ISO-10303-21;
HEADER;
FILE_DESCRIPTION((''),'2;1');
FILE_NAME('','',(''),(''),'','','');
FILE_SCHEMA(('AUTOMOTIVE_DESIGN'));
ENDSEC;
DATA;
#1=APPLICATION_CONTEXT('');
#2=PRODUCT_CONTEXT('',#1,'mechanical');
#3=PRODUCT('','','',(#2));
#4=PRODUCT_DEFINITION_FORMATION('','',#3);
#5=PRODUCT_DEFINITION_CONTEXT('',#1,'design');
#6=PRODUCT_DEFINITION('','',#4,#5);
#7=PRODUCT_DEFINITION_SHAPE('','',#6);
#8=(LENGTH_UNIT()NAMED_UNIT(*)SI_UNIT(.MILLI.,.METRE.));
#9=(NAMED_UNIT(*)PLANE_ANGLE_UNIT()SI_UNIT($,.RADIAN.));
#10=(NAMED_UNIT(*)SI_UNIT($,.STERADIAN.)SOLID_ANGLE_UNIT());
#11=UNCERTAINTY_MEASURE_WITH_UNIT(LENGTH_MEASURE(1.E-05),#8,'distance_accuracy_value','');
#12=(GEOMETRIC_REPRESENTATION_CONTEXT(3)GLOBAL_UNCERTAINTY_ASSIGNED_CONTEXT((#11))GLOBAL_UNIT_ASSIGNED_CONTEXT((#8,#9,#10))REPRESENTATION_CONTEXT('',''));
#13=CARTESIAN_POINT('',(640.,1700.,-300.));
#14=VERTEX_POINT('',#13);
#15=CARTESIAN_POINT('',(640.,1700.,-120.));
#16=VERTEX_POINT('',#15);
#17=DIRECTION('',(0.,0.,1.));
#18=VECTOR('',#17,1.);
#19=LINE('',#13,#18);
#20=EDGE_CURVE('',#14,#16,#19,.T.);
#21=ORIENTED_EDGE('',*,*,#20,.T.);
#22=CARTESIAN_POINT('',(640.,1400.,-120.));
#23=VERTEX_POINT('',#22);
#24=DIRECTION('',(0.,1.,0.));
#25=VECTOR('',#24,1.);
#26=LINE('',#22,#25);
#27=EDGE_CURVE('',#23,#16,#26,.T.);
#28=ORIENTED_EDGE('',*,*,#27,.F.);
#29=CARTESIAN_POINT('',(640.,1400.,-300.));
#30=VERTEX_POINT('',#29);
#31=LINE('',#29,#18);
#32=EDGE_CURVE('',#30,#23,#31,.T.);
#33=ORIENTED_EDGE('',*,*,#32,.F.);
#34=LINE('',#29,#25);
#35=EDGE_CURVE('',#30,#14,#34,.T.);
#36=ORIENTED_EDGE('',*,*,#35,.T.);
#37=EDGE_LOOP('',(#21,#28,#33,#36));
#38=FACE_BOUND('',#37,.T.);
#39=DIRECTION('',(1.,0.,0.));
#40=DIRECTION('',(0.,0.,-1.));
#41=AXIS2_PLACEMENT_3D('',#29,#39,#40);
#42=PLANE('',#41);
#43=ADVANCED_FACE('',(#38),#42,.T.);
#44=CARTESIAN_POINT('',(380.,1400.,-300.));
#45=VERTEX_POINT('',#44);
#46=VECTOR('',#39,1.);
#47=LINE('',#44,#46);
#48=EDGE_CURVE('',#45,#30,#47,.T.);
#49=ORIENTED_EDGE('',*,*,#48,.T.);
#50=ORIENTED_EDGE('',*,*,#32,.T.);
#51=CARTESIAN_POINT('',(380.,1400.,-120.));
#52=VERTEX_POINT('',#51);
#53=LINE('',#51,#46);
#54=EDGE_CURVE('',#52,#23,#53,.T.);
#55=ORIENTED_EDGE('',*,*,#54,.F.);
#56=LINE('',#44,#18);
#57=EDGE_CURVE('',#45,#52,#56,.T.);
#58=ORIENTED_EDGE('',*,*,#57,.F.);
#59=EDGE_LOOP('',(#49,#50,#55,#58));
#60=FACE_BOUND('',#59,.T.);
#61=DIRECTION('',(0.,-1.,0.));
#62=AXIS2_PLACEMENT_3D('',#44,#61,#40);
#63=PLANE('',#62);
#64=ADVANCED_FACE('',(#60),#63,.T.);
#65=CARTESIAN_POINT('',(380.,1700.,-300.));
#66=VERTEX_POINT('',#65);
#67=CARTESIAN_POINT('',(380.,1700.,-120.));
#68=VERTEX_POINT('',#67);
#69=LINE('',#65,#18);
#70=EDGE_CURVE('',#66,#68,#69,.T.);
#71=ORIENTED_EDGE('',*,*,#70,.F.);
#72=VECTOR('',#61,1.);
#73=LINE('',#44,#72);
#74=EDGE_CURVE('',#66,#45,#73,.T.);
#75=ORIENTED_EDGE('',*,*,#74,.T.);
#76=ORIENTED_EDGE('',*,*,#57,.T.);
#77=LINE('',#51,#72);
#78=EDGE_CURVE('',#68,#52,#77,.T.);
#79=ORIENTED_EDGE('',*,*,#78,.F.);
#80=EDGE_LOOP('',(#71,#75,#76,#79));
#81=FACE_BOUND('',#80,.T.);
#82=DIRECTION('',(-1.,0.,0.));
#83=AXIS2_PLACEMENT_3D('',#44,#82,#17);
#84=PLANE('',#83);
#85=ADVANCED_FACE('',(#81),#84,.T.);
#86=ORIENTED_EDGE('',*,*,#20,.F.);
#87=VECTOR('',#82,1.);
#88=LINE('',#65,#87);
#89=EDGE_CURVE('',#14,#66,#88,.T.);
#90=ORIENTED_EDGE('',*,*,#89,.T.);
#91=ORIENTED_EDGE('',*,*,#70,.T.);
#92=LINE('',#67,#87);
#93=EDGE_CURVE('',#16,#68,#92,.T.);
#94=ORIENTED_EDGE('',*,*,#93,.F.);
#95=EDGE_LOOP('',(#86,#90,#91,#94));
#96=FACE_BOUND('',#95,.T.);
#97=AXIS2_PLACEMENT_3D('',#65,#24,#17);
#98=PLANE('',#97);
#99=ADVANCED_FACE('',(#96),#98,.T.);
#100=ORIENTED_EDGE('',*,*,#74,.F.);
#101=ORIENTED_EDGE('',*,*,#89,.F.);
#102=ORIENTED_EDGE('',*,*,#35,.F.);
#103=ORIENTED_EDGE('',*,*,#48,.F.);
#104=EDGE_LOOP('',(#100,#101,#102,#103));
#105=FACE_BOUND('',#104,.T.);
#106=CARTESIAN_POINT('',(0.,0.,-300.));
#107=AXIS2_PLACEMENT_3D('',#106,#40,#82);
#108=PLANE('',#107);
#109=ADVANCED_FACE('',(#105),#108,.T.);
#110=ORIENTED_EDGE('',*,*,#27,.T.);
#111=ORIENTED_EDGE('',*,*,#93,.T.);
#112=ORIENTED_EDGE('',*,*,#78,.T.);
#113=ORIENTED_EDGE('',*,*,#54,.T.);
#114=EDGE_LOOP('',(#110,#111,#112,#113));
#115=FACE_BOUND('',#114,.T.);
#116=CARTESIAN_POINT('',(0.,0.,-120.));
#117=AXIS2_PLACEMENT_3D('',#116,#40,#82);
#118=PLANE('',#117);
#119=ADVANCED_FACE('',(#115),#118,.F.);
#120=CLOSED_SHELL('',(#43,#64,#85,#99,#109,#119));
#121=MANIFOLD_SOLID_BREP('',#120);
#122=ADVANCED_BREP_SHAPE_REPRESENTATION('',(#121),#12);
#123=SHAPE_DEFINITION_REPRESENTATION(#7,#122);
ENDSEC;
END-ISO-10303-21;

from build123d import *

# Parameters (mm, degrees)
PRESS_KONTROL_PANOSU_KUCUK_1_START = -120
SKETCH1_W                          = 260
SKETCH1_H                          = 300
PRESS_KONTROL_PANOSU_KUCUK_1_DEPTH = 180


with BuildPart() as part:
    # Sketch1 → PRESS_kontrol_panosu_kucuk_1 (new body)
    with BuildSketch(Plane.XY.offset(PRESS_KONTROL_PANOSU_KUCUK_1_START)):
        with Locations((510, 1550)):
            Rectangle(SKETCH1_W, SKETCH1_H)
    extrude(amount=-PRESS_KONTROL_PANOSU_KUCUK_1_DEPTH)


solid = part.part
